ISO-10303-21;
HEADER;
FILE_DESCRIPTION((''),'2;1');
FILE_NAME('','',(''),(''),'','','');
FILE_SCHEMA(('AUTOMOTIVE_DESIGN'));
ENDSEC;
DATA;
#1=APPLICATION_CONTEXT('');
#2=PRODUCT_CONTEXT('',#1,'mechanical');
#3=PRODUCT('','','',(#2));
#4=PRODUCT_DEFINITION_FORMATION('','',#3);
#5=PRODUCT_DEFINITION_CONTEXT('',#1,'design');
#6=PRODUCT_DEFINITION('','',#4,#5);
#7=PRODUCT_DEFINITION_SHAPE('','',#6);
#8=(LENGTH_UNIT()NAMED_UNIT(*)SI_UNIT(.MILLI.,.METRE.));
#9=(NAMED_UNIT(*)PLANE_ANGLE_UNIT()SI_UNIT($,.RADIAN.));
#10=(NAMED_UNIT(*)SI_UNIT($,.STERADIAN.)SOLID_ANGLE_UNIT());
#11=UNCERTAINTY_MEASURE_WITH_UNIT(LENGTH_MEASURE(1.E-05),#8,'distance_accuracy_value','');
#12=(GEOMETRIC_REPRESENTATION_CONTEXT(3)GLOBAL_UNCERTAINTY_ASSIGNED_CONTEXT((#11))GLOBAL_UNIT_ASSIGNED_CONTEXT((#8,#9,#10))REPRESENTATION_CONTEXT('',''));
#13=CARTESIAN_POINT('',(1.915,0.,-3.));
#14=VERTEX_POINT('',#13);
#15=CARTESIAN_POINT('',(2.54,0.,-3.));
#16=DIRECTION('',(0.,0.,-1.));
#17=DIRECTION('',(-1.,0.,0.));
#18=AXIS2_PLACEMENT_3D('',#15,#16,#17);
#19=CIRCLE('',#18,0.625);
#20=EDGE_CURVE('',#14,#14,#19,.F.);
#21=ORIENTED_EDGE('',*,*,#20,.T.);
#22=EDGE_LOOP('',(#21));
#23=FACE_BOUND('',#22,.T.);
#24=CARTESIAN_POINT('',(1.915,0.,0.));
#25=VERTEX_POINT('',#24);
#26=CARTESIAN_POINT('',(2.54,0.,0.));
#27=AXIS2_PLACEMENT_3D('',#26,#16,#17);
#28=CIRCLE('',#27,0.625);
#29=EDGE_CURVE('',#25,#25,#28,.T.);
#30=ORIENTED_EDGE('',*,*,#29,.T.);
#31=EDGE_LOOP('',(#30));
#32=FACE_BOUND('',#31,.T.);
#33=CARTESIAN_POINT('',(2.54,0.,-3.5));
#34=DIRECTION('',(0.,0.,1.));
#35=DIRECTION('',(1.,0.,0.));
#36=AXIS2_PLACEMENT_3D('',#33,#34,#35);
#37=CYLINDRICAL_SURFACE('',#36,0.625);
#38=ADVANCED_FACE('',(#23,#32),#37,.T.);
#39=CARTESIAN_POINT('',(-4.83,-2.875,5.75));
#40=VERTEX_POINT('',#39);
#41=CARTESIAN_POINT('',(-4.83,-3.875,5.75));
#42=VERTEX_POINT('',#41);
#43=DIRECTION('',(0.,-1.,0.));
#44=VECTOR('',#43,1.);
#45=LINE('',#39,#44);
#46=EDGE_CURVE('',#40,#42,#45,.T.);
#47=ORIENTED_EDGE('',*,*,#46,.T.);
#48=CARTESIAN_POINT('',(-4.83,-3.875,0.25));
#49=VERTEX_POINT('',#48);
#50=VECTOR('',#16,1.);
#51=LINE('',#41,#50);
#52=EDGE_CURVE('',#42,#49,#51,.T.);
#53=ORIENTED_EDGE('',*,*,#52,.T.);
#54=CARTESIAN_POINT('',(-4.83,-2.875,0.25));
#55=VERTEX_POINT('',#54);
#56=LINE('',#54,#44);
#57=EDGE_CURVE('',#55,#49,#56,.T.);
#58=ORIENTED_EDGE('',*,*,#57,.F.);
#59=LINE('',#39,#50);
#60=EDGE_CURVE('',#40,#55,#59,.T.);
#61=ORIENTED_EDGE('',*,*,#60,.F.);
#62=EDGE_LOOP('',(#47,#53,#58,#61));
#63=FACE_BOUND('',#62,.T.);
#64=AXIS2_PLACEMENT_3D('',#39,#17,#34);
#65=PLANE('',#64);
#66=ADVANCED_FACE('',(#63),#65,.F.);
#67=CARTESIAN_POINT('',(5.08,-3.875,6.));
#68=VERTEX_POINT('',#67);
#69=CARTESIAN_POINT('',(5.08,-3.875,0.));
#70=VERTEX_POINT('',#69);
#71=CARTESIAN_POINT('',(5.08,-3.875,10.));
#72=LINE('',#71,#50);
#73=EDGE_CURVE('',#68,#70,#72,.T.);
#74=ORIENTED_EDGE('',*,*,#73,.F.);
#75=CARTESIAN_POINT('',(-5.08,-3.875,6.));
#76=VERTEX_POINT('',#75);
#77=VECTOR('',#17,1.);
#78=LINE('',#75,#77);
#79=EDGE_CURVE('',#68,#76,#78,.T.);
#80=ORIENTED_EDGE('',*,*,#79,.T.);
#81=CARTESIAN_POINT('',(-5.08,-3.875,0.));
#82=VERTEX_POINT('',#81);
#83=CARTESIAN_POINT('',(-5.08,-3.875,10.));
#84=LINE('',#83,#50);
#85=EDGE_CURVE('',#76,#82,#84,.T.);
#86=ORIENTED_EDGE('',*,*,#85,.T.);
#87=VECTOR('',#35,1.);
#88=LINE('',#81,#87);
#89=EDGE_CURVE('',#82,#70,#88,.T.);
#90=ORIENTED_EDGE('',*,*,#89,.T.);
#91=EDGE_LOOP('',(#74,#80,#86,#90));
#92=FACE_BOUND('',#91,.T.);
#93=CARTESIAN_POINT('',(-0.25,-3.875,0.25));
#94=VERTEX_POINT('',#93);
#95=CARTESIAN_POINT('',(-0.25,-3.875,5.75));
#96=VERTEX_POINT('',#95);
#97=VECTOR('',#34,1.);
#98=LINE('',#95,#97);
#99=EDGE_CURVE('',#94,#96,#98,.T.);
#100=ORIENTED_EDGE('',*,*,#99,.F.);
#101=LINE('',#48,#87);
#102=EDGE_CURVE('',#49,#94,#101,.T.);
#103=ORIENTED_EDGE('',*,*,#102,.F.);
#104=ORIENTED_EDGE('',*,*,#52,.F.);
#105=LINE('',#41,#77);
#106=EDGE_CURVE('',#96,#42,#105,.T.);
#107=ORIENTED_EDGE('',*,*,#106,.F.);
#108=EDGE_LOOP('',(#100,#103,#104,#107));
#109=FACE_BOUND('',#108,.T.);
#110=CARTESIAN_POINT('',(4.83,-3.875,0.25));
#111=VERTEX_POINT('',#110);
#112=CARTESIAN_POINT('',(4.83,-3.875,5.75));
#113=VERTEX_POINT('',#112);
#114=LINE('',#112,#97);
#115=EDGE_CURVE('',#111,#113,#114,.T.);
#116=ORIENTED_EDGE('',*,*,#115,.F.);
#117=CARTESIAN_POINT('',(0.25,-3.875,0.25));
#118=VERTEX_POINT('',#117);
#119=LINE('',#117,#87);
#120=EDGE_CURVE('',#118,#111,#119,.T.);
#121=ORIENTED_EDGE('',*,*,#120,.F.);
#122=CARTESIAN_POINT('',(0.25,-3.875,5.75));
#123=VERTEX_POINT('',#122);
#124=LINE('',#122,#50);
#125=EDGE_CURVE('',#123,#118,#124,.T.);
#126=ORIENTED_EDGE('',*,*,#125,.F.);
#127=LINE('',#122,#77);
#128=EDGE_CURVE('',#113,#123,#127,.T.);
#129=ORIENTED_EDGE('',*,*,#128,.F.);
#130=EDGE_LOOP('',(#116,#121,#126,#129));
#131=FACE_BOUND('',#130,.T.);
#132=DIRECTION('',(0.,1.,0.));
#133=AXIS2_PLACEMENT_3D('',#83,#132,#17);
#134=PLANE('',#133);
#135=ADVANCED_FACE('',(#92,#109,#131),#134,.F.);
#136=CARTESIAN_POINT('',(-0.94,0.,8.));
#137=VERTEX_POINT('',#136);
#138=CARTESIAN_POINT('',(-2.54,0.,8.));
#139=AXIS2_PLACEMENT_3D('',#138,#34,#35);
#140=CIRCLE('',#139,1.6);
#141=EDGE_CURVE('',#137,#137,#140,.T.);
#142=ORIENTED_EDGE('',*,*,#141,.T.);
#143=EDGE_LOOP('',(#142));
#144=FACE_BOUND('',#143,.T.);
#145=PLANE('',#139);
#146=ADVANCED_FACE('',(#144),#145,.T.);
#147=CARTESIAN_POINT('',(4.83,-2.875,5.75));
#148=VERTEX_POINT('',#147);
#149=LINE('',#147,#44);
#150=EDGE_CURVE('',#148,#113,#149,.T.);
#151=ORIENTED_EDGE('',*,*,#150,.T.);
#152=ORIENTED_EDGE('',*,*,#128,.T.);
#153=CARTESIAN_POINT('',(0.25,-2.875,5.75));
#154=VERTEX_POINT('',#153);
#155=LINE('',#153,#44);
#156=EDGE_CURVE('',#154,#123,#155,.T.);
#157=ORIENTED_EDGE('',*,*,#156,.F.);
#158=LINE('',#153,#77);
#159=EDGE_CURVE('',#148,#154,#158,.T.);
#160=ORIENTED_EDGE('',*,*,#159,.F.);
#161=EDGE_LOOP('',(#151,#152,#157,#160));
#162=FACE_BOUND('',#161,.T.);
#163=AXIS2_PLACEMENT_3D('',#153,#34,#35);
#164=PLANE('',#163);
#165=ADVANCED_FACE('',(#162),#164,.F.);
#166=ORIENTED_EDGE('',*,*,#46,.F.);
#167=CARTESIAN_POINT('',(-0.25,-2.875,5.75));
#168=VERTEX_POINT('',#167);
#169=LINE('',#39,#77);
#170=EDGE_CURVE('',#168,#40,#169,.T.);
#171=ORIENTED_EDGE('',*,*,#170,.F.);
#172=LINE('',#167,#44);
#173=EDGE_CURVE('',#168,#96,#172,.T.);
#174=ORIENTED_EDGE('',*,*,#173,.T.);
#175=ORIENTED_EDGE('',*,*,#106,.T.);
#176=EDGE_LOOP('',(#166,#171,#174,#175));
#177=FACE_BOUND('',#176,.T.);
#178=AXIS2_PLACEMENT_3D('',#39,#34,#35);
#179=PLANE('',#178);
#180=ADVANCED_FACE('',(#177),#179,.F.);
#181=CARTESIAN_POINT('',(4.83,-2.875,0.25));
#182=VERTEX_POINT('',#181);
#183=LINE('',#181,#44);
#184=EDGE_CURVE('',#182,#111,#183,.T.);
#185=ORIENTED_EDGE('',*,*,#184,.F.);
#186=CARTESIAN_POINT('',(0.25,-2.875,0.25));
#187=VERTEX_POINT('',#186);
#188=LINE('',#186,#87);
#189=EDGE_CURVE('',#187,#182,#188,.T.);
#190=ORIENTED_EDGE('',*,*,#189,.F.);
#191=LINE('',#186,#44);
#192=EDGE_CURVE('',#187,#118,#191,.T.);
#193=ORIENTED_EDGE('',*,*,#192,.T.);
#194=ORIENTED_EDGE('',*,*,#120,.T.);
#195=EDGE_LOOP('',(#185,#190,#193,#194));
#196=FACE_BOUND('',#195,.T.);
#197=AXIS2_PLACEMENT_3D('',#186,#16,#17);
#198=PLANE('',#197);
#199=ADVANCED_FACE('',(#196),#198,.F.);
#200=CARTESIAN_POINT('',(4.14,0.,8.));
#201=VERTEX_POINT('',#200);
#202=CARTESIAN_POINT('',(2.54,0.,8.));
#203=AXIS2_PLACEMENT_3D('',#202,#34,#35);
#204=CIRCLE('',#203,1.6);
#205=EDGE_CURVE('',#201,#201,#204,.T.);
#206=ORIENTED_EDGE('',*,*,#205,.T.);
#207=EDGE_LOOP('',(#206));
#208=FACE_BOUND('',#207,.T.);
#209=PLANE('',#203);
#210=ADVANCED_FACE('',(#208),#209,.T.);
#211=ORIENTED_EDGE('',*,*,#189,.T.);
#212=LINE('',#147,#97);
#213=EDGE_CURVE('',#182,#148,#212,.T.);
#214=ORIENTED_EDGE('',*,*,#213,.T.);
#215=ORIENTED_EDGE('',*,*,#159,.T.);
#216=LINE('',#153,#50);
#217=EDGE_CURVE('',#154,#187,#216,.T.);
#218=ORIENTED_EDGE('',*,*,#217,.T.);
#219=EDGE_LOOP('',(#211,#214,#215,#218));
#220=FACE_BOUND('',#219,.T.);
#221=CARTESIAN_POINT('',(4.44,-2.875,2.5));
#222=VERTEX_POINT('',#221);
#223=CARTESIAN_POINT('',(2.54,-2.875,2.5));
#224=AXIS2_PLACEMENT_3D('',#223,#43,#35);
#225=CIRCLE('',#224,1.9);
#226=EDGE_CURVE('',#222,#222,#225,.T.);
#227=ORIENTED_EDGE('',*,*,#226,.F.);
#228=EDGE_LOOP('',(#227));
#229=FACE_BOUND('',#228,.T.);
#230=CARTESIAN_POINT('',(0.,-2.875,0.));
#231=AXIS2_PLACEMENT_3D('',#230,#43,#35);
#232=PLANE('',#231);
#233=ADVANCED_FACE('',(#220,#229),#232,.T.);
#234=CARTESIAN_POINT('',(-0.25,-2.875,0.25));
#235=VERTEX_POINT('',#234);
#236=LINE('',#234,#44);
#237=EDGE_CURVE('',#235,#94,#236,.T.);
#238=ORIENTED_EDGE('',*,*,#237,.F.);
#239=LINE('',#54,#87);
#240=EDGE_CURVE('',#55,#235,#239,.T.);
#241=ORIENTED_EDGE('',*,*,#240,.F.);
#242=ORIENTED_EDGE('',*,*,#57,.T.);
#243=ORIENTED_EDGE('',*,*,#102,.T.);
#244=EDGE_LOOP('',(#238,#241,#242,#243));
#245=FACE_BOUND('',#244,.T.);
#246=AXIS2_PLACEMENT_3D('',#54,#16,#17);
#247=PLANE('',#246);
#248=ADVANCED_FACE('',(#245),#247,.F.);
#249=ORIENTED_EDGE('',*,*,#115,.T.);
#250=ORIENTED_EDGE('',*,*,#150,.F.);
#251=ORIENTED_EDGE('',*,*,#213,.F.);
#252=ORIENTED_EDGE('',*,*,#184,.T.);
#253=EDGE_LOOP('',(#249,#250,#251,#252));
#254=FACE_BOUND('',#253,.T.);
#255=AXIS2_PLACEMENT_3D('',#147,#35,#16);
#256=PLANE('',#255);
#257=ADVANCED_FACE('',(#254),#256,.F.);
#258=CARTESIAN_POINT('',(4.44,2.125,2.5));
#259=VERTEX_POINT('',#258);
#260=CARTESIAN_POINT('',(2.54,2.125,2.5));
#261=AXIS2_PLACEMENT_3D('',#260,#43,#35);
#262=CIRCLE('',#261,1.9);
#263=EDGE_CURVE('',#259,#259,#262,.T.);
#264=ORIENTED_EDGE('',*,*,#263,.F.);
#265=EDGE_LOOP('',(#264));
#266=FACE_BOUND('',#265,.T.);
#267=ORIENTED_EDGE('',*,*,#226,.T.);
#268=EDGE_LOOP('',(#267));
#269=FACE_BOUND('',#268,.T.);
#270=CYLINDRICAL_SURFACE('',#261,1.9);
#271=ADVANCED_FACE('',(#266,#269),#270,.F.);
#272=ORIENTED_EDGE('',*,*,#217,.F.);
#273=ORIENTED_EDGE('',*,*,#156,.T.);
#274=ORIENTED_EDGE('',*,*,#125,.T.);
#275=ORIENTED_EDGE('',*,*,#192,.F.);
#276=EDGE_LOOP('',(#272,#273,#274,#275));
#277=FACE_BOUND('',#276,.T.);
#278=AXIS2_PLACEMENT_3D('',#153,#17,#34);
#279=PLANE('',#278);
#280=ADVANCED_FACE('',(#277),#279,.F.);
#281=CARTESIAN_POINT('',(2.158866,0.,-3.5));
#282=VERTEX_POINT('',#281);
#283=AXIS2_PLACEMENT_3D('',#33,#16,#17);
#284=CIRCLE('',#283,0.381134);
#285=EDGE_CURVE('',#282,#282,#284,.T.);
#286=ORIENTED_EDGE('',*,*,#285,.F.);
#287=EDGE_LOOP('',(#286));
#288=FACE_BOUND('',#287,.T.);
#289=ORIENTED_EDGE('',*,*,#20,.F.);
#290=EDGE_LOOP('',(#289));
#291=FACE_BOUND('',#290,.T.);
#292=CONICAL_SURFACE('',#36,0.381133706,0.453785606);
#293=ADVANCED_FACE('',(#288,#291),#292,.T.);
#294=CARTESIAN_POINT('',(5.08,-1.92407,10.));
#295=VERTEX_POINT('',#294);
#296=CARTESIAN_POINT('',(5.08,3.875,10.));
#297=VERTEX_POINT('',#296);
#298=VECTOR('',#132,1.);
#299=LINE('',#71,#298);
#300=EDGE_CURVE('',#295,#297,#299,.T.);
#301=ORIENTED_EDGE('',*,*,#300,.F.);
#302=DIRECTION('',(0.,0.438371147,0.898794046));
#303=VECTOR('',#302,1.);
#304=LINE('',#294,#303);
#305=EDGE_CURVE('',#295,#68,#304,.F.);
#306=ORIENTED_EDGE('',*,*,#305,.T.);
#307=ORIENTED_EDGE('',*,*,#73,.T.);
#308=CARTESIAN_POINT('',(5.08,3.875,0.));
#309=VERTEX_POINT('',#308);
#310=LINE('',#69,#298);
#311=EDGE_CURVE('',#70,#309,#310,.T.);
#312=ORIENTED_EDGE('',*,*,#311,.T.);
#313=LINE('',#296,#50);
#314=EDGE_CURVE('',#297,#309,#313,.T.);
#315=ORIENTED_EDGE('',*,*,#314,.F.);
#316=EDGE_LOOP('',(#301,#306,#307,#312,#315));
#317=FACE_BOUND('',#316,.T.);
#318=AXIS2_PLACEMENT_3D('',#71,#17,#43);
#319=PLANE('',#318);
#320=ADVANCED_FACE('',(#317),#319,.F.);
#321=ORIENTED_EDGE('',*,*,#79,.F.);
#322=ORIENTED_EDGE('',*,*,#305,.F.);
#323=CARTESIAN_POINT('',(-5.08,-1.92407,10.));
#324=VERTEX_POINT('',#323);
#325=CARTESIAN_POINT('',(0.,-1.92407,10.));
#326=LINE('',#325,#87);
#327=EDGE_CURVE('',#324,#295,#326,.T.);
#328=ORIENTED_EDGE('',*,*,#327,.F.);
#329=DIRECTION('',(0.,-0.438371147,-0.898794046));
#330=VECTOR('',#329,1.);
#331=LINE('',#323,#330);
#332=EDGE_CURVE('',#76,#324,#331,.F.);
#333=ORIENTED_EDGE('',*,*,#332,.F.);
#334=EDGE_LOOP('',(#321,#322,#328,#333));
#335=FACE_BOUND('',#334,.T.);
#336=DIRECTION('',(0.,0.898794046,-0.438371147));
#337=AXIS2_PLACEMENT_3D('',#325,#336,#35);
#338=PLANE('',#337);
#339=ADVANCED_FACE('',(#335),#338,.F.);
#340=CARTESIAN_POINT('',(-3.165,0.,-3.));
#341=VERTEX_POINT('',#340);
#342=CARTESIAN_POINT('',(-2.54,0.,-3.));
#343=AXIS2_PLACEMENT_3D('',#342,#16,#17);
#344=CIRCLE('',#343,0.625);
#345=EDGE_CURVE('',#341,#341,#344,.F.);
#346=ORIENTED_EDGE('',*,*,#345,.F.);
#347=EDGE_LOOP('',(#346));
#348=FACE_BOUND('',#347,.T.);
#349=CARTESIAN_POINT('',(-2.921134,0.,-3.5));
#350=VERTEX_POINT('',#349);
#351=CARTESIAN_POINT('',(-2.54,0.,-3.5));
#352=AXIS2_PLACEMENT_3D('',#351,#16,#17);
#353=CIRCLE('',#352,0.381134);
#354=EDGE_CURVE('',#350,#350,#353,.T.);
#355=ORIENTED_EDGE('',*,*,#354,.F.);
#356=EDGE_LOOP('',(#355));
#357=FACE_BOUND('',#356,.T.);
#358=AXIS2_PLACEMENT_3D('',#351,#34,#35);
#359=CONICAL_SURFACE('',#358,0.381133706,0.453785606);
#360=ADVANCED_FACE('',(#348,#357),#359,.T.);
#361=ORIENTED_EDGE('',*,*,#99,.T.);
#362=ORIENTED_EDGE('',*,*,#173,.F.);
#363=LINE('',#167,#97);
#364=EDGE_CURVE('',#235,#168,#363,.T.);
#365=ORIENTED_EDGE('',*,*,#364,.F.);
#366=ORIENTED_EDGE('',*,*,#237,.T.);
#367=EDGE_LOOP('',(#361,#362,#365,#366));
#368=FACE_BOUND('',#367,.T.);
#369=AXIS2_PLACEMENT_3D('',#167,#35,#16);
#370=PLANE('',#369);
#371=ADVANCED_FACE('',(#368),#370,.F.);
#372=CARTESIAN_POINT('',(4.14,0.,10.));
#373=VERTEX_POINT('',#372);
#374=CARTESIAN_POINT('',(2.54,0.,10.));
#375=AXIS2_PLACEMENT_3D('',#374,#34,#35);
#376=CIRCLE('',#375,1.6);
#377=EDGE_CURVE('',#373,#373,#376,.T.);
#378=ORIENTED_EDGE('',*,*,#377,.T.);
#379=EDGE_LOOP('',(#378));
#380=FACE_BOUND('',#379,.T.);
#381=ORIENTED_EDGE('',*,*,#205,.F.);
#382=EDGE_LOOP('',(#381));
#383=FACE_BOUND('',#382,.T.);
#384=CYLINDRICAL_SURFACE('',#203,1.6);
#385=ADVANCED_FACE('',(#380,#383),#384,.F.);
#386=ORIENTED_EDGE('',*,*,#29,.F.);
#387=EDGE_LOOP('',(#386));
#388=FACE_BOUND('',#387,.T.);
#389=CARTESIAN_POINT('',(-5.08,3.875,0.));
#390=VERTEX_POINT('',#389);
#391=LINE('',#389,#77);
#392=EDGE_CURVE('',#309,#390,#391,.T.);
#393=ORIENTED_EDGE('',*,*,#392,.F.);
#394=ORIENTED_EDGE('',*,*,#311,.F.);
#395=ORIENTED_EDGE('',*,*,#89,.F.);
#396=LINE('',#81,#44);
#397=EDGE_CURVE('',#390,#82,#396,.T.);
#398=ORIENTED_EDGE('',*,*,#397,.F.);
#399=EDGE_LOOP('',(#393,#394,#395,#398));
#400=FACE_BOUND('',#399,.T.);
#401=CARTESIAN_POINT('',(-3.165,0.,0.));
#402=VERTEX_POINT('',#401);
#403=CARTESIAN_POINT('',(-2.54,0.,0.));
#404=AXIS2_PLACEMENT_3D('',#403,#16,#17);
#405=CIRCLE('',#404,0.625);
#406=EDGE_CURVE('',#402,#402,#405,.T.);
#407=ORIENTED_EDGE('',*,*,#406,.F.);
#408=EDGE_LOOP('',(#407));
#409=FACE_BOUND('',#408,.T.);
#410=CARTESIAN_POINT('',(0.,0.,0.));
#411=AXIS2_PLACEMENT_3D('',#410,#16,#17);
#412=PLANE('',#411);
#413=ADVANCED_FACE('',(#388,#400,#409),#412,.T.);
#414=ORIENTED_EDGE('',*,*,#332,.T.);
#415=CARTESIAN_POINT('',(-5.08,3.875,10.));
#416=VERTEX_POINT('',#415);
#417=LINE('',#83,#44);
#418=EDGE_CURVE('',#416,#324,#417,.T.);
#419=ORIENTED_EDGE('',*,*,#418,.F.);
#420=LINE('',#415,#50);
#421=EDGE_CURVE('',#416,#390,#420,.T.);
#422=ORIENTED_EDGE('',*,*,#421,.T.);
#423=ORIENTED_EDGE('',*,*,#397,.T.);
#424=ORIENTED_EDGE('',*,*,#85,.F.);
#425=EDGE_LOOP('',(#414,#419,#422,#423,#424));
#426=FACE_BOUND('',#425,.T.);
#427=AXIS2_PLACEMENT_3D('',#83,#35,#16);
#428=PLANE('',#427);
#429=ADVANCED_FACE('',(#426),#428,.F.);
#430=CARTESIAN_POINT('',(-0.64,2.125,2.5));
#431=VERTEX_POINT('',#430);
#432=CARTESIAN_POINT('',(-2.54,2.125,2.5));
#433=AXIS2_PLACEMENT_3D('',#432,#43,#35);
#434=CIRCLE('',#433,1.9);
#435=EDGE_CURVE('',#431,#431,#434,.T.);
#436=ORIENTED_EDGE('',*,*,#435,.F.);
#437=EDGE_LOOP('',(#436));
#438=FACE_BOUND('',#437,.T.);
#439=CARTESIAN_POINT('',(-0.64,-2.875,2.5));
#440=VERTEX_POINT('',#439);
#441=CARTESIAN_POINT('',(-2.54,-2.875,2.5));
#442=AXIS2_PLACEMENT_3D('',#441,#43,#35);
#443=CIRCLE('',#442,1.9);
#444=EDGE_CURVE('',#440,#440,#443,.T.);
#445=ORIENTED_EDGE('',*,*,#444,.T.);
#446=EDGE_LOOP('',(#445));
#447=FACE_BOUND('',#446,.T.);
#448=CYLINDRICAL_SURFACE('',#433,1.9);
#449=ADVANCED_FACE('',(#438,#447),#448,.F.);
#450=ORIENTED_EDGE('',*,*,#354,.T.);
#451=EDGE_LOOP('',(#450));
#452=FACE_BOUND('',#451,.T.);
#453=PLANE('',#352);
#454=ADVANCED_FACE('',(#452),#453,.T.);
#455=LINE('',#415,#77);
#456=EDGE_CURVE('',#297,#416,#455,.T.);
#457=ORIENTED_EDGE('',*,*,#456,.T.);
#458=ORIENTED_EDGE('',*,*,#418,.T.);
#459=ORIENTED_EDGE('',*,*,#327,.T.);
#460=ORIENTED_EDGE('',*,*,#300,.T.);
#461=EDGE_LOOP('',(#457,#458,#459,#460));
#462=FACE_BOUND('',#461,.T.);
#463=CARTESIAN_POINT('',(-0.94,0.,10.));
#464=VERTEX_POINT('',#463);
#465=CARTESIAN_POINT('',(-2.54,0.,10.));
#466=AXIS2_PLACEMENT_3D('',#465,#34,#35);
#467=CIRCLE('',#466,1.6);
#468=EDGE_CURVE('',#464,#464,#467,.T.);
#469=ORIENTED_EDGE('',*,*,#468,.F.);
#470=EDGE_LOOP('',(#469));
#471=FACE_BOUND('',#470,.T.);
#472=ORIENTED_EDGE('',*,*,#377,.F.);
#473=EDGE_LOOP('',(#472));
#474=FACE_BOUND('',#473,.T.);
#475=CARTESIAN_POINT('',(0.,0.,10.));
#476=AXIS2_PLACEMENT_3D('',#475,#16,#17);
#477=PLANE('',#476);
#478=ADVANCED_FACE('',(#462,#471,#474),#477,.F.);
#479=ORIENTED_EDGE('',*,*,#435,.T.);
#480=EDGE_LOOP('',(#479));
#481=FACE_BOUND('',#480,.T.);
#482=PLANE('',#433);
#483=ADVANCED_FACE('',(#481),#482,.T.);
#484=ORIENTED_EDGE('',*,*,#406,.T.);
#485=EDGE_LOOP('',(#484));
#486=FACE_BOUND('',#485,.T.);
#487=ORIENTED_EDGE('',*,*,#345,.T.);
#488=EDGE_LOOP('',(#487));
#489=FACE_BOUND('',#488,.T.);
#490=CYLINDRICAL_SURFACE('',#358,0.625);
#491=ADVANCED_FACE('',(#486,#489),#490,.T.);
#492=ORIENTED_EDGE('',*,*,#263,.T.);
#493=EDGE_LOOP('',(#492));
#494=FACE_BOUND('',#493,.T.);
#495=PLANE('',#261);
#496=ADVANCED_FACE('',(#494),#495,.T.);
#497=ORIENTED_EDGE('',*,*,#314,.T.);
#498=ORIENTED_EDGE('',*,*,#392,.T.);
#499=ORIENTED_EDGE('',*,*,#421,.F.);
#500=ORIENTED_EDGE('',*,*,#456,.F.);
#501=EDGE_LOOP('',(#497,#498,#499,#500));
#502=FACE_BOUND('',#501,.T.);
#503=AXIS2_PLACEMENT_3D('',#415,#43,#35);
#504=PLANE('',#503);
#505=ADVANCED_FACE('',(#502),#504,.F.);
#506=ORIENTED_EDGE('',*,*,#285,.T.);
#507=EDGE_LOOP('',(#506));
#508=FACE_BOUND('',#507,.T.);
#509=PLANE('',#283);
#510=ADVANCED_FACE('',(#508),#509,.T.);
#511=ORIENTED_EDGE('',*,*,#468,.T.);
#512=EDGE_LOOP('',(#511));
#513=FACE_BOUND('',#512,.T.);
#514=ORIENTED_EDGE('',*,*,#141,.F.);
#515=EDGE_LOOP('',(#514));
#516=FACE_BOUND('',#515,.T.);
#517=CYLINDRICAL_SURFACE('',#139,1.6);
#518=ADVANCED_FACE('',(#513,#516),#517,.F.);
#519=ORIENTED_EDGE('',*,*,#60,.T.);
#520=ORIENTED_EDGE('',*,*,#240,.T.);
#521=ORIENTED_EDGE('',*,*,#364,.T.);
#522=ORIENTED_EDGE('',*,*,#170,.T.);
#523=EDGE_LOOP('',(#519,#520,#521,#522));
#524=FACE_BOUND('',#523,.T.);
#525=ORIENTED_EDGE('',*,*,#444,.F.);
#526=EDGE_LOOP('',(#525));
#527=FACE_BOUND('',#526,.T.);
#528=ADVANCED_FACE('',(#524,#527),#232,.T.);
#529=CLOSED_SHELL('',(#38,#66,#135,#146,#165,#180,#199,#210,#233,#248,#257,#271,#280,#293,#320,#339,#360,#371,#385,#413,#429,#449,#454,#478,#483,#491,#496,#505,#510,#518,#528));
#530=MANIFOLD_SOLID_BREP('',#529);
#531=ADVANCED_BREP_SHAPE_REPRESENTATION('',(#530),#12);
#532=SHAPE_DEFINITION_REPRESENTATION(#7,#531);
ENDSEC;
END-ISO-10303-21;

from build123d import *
from OCP.BRepFilletAPI import BRepFilletAPI_MakeChamfer

# Parameters (mm, degrees)
SKETCH1_W           = 10.16
SKETCH1_H           = 7.75
BOSS_EXTRUDE1_DEPTH = 10
CHAMFER1_SIZE       = 4
CHAMFER1_SIZE2      = 1.950930354
SKETCH2_R           = 1.6
CUT_EXTRUDE1_DEPTH  = 2
SKETCH3_W           = 4.58
SKETCH3_H           = 5.5
CUT_EXTRUDE2_DEPTH  = 1
SKETCH4_R           = 1.9
CUT_EXTRUDE3_DEPTH  = 5
SKETCH5_R           = 0.625
BOSS_EXTRUDE2_DEPTH = 3.5
CHAMFER2_SIZE       = 0.5
CHAMFER2_SIZE2      = 0.243866294


with BuildPart() as part:
    # Sketch1 → Boss-Extrude1 (new body)
    with BuildSketch(Plane.XY):
        Rectangle(SKETCH1_W, SKETCH1_H)
    extrude(amount=BOSS_EXTRUDE1_DEPTH)

    # Chamfer1
    chamfer1_edges = [part.edges().sort_by_distance(p)[0] for p in [
        (0, -3.875, 10),
    ]]
    chamfer1_side = [part.faces().sort_by_distance(p)[0] for p in [
        (0, -3.875, 5),
    ]]
    chamfer(chamfer1_edges, length=CHAMFER1_SIZE, length2=CHAMFER1_SIZE2, reference=chamfer1_side[0])

    # Sketch2 → Cut-Extrude1 (cut)
    with BuildSketch(Plane.XY.offset(10)):
        with Locations((-2.54, 0)):
            Circle(SKETCH2_R)
        with Locations((2.54, 0)):
            Circle(SKETCH2_R)
    extrude(amount=-CUT_EXTRUDE1_DEPTH, mode=Mode.SUBTRACT)

    # Sketch3 → Cut-Extrude2 (cut)
    with BuildSketch(Plane.XZ.offset(3.875)):
        with Locations((-2.54, 3)):
            Rectangle(SKETCH3_W, SKETCH3_H)
        with Locations((2.54, 3)):
            Rectangle(SKETCH3_W, SKETCH3_H)
    extrude(amount=-CUT_EXTRUDE2_DEPTH, mode=Mode.SUBTRACT)

    # Sketch4 → Cut-Extrude3 (cut)
    with BuildSketch(Plane.XZ.offset(2.875)):
        with Locations((-2.54, 2.5)):
            Circle(SKETCH4_R)
        with Locations((2.54, 2.5)):
            Circle(SKETCH4_R)
    extrude(amount=-CUT_EXTRUDE3_DEPTH, mode=Mode.SUBTRACT)

    # Sketch5 → Boss-Extrude2 (add)
    with BuildSketch(Plane(origin=(0, 0, 0), x_dir=(-1, 0, 0), z_dir=(0, 0, -1))):
        with Locations((2.54, 0)):
            Circle(SKETCH5_R)
        with Locations((-2.54, 0)):
            Circle(SKETCH5_R)
    extrude(amount=BOSS_EXTRUDE2_DEPTH)

    # Chamfer2: one chamfer whose edges measure the first distance from different faces: ONE call of the kernel's chamfer builder (chamfer() names one face for all edges)
    chamfer2_edges_1 = [part.edges().sort_by_distance(p)[0] for p in [
        (-1.915, 0, -3.5),
    ]]
    chamfer2_side_1 = [part.faces().sort_by_distance(p)[0] for p in [
        (-1.915, 0, -1.75),
    ]]
    chamfer2_edges_2 = [part.edges().sort_by_distance(p)[0] for p in [
        (3.165, 0, -3.5),
    ]]
    chamfer2_side_2 = [part.faces().sort_by_distance(p)[0] for p in [
        (3.165, 0, -1.75),
    ]]
    chamfer2 = BRepFilletAPI_MakeChamfer(part.part.solid().wrapped)
    for e in chamfer2_edges_1:
        chamfer2.Add(CHAMFER2_SIZE, CHAMFER2_SIZE2, e.wrapped, chamfer2_side_1[0].wrapped)  # the first distance lies on this face
    for e in chamfer2_edges_2:
        chamfer2.Add(CHAMFER2_SIZE, CHAMFER2_SIZE2, e.wrapped, chamfer2_side_2[0].wrapped)  # the first distance lies on this face
    add(Compound.cast(chamfer2.Shape()), mode=Mode.REPLACE)


solid = part.part
